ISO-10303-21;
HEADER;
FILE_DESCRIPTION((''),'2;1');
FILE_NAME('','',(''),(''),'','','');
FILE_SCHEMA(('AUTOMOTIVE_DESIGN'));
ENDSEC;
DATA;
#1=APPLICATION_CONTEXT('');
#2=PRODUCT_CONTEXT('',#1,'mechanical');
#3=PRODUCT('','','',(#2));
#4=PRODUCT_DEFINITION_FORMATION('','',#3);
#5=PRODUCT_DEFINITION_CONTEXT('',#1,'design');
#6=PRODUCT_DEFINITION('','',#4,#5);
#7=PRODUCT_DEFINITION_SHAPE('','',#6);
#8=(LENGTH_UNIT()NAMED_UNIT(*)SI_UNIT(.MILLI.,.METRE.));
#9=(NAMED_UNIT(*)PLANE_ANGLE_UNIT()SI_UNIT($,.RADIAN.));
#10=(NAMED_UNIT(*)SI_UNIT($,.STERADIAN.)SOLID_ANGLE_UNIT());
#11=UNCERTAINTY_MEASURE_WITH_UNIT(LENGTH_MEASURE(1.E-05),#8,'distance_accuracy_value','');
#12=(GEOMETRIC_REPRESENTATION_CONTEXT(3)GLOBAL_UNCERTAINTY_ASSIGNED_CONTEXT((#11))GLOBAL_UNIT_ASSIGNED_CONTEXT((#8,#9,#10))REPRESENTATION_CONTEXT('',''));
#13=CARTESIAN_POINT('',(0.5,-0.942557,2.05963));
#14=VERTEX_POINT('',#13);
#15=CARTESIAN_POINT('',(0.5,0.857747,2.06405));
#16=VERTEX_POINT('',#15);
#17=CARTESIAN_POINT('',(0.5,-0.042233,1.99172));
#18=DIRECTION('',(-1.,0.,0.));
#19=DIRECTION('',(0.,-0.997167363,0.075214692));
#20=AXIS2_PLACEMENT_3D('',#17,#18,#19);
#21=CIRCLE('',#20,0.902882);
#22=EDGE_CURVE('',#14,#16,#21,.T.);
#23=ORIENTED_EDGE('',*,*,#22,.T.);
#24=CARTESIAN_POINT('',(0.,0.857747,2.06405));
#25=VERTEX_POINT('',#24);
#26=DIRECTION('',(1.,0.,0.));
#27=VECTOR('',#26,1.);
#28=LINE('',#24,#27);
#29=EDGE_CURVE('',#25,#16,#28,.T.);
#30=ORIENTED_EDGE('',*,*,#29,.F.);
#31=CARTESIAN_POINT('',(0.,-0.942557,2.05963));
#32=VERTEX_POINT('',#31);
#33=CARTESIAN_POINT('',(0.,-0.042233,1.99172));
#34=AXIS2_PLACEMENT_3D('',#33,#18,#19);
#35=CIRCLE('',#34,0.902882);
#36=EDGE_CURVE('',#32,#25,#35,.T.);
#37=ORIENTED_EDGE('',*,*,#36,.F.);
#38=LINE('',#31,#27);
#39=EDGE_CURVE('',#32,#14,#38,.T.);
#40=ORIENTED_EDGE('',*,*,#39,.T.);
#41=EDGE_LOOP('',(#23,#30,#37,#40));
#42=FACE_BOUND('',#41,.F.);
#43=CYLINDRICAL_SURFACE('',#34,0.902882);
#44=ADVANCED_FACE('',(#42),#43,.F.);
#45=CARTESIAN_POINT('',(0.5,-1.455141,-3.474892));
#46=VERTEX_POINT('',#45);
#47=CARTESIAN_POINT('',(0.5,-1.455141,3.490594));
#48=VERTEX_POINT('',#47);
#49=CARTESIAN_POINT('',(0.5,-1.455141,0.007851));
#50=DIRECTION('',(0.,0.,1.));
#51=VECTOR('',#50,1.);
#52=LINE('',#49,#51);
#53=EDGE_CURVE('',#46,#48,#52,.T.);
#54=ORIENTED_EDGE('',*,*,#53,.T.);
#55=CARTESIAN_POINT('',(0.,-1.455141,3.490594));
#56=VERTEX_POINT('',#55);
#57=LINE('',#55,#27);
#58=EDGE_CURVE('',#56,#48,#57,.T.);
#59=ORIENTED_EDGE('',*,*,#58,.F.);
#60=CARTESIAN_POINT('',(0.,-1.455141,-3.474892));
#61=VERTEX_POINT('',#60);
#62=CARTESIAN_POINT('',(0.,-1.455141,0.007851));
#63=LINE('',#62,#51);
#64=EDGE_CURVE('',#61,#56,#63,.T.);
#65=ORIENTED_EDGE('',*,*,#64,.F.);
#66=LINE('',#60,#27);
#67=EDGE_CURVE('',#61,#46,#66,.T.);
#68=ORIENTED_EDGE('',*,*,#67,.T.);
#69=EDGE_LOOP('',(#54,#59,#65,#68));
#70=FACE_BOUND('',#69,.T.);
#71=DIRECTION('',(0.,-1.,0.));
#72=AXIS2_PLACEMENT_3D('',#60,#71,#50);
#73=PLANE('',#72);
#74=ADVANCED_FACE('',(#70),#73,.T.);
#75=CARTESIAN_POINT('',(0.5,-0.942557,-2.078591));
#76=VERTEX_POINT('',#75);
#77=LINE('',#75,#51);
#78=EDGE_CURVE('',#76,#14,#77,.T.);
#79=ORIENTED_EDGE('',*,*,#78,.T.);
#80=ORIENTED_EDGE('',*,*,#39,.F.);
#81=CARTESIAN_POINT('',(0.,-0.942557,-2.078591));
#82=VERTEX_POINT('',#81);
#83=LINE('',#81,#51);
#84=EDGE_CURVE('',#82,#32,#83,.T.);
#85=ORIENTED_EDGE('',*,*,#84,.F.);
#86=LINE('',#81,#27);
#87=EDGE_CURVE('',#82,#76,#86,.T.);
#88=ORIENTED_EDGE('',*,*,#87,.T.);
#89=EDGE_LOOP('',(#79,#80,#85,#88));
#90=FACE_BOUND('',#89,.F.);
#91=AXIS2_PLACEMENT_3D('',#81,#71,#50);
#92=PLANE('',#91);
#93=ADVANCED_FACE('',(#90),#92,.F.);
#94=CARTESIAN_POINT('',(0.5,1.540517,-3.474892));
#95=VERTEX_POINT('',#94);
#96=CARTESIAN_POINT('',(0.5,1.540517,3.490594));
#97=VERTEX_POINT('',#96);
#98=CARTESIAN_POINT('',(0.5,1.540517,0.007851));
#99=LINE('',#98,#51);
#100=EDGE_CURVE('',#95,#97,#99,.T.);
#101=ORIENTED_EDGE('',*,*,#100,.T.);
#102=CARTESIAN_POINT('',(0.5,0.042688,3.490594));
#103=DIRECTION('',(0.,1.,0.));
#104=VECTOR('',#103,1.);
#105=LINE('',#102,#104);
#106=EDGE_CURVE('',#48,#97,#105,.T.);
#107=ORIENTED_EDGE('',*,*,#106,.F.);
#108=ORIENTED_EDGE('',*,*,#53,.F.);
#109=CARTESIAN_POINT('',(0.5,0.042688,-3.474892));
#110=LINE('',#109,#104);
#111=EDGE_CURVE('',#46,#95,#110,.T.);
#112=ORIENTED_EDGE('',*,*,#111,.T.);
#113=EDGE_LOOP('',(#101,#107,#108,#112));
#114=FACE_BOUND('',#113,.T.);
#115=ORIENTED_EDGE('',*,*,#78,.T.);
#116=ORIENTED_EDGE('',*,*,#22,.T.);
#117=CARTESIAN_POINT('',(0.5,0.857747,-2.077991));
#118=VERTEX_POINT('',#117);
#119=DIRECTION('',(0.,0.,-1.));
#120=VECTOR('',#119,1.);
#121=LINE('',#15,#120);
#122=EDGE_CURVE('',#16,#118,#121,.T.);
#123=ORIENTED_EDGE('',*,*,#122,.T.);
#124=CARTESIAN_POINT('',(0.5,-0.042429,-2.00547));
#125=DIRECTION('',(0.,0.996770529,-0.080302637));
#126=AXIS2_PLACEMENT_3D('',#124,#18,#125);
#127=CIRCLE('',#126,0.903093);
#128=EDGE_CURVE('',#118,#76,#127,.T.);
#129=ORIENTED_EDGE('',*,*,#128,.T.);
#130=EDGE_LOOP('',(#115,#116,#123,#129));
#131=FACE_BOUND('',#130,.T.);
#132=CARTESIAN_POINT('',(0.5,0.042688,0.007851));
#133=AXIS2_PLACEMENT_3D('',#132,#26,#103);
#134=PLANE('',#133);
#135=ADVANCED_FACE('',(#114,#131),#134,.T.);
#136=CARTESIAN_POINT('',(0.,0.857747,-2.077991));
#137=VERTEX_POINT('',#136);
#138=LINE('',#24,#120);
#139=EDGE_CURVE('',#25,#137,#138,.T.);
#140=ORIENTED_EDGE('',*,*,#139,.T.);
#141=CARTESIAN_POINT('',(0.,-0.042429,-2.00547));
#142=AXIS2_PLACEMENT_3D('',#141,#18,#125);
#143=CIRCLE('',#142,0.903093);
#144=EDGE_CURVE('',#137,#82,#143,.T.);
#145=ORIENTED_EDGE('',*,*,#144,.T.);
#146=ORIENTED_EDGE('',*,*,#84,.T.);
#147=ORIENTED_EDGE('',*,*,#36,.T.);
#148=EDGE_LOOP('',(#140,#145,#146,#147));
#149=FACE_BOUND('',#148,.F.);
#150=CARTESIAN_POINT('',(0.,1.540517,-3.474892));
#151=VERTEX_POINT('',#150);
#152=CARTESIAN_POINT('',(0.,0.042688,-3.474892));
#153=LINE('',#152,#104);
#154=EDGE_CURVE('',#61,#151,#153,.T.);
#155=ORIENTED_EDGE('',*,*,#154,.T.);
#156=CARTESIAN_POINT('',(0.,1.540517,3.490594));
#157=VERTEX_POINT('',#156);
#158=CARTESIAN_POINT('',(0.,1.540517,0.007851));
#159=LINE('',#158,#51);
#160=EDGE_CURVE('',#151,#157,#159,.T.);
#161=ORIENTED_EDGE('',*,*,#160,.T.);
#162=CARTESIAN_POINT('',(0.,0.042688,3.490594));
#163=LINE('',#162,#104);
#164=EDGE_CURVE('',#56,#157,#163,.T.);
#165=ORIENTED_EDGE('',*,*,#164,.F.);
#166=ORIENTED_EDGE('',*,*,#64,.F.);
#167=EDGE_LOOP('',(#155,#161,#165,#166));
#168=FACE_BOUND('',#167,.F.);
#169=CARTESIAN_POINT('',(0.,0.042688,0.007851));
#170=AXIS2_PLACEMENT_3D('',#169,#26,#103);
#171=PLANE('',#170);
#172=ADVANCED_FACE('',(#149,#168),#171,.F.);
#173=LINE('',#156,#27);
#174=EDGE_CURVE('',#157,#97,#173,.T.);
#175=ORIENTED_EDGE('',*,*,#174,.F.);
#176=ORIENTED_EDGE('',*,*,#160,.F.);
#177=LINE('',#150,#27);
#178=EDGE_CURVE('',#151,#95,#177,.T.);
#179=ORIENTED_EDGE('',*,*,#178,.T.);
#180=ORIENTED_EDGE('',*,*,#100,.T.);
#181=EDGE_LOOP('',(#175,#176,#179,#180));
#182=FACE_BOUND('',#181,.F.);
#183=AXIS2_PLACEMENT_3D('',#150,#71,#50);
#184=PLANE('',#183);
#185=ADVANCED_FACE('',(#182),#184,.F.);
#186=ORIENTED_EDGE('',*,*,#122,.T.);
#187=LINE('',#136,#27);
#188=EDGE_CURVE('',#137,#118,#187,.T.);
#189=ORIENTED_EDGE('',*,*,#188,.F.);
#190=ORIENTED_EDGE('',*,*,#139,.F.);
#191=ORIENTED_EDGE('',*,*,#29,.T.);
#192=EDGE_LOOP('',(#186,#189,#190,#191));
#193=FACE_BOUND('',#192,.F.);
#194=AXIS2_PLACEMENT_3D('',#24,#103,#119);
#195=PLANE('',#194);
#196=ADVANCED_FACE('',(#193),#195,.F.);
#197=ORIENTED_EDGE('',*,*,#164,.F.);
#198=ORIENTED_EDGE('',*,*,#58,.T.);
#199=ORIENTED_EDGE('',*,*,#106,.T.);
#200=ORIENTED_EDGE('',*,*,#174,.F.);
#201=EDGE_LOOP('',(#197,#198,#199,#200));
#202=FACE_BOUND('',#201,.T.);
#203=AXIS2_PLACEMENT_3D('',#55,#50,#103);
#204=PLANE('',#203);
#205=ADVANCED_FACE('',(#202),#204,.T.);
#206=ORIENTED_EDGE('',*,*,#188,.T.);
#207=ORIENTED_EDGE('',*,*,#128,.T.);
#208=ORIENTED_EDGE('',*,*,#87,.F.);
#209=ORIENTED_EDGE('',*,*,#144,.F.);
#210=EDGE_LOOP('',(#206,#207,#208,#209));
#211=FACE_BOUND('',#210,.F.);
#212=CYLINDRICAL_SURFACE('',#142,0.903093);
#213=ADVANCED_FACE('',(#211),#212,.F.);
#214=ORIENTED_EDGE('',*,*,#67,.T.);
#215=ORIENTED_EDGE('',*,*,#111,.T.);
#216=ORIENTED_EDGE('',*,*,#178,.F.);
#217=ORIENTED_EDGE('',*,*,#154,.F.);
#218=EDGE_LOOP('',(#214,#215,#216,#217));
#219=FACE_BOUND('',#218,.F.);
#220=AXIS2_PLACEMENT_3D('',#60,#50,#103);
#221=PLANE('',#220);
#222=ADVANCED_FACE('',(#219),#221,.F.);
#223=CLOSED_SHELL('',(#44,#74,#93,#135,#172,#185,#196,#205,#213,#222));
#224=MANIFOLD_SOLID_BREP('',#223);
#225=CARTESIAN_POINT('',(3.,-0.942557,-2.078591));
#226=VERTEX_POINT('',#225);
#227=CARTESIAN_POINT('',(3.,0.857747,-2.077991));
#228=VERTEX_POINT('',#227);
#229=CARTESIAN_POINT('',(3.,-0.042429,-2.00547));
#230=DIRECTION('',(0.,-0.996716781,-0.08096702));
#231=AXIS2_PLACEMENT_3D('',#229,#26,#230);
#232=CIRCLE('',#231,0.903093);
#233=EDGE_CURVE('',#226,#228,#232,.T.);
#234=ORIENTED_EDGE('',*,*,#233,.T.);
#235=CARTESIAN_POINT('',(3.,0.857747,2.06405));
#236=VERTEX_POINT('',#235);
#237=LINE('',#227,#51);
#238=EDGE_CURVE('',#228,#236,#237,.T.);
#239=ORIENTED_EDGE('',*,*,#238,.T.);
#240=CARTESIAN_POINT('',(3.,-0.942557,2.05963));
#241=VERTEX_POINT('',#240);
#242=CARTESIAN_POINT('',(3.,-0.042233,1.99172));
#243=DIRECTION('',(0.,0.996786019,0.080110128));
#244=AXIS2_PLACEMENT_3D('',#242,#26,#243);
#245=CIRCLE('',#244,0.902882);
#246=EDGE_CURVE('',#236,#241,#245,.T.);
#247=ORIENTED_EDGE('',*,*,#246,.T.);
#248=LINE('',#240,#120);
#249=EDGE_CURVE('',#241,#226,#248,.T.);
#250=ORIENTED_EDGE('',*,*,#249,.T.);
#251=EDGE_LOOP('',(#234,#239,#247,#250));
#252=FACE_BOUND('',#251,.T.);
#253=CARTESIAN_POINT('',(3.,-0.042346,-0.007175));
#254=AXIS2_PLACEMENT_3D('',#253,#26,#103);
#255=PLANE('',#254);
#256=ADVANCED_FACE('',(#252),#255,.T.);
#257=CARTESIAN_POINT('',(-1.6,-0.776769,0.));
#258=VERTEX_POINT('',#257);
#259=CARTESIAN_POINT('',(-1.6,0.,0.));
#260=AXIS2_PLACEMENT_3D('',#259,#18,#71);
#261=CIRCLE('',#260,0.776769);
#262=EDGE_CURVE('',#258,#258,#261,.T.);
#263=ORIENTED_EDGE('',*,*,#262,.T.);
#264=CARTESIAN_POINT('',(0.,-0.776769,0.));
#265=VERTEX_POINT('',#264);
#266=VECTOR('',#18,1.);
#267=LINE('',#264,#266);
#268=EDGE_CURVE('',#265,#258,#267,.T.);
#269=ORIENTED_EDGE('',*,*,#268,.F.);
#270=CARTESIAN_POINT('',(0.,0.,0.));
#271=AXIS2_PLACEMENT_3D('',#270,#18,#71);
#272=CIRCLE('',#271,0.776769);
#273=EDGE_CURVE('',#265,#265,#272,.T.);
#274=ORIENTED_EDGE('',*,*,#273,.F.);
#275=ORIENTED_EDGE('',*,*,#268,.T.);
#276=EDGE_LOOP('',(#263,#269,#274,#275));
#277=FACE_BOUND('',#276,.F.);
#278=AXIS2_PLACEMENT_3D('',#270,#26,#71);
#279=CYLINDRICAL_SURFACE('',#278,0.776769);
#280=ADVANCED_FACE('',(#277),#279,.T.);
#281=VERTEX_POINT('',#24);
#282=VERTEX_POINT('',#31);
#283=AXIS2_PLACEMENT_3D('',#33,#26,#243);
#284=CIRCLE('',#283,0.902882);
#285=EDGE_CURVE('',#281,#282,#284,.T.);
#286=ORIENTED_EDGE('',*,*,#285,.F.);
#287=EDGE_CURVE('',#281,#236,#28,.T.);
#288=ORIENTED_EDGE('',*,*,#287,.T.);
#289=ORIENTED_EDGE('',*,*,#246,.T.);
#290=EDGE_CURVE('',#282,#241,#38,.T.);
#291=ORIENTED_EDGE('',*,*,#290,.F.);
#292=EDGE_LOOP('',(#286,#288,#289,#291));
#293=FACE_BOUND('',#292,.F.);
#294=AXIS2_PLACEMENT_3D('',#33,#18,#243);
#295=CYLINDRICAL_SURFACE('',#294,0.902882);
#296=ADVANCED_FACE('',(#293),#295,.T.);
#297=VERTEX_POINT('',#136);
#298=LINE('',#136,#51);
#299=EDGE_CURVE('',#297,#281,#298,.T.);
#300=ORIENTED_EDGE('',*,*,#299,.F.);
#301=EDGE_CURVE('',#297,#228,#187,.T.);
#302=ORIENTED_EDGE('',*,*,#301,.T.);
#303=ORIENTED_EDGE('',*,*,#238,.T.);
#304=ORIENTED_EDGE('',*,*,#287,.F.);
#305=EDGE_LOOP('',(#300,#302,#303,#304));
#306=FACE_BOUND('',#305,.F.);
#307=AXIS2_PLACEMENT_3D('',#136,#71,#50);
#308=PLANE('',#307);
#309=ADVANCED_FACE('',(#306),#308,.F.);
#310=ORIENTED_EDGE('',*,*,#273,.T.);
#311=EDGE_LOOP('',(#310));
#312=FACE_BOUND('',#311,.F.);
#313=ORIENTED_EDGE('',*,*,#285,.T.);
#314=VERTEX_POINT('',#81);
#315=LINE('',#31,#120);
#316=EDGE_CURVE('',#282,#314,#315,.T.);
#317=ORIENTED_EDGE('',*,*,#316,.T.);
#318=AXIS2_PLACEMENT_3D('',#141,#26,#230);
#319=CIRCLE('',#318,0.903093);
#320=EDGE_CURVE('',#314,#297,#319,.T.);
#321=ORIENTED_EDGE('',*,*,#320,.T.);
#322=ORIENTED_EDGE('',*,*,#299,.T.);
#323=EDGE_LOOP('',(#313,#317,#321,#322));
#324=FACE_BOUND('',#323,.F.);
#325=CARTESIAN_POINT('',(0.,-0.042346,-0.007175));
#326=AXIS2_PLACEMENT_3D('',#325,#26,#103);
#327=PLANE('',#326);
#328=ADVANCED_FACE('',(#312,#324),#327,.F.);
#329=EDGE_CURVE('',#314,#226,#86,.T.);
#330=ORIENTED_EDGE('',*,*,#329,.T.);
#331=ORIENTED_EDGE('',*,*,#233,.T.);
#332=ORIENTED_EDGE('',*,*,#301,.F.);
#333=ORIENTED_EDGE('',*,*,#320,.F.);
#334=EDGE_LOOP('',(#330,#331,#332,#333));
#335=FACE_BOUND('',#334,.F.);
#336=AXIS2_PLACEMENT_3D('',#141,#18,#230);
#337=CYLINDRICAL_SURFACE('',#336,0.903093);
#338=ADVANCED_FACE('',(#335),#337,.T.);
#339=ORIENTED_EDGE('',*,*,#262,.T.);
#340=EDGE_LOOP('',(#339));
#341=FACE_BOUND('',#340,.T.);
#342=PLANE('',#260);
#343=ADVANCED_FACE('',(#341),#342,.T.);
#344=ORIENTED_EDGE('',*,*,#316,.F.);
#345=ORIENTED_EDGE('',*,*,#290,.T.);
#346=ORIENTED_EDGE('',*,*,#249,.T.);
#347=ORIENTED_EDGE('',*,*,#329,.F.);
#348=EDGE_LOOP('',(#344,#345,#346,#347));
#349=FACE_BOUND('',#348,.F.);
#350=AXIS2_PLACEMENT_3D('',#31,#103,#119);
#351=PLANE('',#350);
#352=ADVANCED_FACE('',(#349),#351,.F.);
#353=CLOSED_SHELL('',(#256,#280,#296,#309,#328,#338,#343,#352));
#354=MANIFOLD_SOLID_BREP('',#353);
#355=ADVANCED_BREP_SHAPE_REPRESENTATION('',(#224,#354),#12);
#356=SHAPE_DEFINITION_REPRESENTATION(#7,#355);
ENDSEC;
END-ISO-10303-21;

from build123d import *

# Parameters (mm, degrees)
F0_W     = 2.995658
F0_H     = 6.965485
F1_DEPTH = 0.5
F2_DEPTH = 3
F3_R     = 0.776769
F4_DEPTH = 1.6


with BuildPart() as f1:
    # F0 (on Right) → F1 (new body)
    with BuildSketch(Plane.YZ):
        with Locations((0.042688, 0.007851)):
            Rectangle(F0_W, F0_H)
        with BuildLine():
            Line((-0.942557, -2.078591), (-0.942557, 2.05963))
            ThreePointArc((-0.942557, 2.05963), (-0.04445, 2.894599), (0.857747, 2.06405))
            Line((0.857747, 2.06405), (0.857747, -2.077991))
            ThreePointArc((0.857747, -2.077991), (-0.042128, -2.908563), (-0.942557, -2.078591))
        make_face(mode=Mode.SUBTRACT)
    extrude(amount=F1_DEPTH)


with BuildPart() as f2:
    # F0 (on Right) → F2 (new body)
    with BuildSketch(Plane.YZ):
        with BuildLine():
            ThreePointArc((0.857747, 2.06405), (-0.04445, 2.894599), (-0.942557, 2.05963))
            Line((-0.942557, 2.05963), (-0.942557, -2.078591))
            ThreePointArc((-0.942557, -2.078591), (-0.042128, -2.908563), (0.857747, -2.077991))
            Line((0.857747, -2.077991), (0.857747, 2.06405))
        make_face()
    extrude(amount=F2_DEPTH)

    # F3 (on face) → F4 (join)
    with BuildSketch(Plane(origin=(0, 0, 0), x_dir=(0, -1, 0), z_dir=(-1, 0, 0))):
        Circle(F3_R)
    extrude(amount=F4_DEPTH)


solid = Compound([f1.part, f2.part])
